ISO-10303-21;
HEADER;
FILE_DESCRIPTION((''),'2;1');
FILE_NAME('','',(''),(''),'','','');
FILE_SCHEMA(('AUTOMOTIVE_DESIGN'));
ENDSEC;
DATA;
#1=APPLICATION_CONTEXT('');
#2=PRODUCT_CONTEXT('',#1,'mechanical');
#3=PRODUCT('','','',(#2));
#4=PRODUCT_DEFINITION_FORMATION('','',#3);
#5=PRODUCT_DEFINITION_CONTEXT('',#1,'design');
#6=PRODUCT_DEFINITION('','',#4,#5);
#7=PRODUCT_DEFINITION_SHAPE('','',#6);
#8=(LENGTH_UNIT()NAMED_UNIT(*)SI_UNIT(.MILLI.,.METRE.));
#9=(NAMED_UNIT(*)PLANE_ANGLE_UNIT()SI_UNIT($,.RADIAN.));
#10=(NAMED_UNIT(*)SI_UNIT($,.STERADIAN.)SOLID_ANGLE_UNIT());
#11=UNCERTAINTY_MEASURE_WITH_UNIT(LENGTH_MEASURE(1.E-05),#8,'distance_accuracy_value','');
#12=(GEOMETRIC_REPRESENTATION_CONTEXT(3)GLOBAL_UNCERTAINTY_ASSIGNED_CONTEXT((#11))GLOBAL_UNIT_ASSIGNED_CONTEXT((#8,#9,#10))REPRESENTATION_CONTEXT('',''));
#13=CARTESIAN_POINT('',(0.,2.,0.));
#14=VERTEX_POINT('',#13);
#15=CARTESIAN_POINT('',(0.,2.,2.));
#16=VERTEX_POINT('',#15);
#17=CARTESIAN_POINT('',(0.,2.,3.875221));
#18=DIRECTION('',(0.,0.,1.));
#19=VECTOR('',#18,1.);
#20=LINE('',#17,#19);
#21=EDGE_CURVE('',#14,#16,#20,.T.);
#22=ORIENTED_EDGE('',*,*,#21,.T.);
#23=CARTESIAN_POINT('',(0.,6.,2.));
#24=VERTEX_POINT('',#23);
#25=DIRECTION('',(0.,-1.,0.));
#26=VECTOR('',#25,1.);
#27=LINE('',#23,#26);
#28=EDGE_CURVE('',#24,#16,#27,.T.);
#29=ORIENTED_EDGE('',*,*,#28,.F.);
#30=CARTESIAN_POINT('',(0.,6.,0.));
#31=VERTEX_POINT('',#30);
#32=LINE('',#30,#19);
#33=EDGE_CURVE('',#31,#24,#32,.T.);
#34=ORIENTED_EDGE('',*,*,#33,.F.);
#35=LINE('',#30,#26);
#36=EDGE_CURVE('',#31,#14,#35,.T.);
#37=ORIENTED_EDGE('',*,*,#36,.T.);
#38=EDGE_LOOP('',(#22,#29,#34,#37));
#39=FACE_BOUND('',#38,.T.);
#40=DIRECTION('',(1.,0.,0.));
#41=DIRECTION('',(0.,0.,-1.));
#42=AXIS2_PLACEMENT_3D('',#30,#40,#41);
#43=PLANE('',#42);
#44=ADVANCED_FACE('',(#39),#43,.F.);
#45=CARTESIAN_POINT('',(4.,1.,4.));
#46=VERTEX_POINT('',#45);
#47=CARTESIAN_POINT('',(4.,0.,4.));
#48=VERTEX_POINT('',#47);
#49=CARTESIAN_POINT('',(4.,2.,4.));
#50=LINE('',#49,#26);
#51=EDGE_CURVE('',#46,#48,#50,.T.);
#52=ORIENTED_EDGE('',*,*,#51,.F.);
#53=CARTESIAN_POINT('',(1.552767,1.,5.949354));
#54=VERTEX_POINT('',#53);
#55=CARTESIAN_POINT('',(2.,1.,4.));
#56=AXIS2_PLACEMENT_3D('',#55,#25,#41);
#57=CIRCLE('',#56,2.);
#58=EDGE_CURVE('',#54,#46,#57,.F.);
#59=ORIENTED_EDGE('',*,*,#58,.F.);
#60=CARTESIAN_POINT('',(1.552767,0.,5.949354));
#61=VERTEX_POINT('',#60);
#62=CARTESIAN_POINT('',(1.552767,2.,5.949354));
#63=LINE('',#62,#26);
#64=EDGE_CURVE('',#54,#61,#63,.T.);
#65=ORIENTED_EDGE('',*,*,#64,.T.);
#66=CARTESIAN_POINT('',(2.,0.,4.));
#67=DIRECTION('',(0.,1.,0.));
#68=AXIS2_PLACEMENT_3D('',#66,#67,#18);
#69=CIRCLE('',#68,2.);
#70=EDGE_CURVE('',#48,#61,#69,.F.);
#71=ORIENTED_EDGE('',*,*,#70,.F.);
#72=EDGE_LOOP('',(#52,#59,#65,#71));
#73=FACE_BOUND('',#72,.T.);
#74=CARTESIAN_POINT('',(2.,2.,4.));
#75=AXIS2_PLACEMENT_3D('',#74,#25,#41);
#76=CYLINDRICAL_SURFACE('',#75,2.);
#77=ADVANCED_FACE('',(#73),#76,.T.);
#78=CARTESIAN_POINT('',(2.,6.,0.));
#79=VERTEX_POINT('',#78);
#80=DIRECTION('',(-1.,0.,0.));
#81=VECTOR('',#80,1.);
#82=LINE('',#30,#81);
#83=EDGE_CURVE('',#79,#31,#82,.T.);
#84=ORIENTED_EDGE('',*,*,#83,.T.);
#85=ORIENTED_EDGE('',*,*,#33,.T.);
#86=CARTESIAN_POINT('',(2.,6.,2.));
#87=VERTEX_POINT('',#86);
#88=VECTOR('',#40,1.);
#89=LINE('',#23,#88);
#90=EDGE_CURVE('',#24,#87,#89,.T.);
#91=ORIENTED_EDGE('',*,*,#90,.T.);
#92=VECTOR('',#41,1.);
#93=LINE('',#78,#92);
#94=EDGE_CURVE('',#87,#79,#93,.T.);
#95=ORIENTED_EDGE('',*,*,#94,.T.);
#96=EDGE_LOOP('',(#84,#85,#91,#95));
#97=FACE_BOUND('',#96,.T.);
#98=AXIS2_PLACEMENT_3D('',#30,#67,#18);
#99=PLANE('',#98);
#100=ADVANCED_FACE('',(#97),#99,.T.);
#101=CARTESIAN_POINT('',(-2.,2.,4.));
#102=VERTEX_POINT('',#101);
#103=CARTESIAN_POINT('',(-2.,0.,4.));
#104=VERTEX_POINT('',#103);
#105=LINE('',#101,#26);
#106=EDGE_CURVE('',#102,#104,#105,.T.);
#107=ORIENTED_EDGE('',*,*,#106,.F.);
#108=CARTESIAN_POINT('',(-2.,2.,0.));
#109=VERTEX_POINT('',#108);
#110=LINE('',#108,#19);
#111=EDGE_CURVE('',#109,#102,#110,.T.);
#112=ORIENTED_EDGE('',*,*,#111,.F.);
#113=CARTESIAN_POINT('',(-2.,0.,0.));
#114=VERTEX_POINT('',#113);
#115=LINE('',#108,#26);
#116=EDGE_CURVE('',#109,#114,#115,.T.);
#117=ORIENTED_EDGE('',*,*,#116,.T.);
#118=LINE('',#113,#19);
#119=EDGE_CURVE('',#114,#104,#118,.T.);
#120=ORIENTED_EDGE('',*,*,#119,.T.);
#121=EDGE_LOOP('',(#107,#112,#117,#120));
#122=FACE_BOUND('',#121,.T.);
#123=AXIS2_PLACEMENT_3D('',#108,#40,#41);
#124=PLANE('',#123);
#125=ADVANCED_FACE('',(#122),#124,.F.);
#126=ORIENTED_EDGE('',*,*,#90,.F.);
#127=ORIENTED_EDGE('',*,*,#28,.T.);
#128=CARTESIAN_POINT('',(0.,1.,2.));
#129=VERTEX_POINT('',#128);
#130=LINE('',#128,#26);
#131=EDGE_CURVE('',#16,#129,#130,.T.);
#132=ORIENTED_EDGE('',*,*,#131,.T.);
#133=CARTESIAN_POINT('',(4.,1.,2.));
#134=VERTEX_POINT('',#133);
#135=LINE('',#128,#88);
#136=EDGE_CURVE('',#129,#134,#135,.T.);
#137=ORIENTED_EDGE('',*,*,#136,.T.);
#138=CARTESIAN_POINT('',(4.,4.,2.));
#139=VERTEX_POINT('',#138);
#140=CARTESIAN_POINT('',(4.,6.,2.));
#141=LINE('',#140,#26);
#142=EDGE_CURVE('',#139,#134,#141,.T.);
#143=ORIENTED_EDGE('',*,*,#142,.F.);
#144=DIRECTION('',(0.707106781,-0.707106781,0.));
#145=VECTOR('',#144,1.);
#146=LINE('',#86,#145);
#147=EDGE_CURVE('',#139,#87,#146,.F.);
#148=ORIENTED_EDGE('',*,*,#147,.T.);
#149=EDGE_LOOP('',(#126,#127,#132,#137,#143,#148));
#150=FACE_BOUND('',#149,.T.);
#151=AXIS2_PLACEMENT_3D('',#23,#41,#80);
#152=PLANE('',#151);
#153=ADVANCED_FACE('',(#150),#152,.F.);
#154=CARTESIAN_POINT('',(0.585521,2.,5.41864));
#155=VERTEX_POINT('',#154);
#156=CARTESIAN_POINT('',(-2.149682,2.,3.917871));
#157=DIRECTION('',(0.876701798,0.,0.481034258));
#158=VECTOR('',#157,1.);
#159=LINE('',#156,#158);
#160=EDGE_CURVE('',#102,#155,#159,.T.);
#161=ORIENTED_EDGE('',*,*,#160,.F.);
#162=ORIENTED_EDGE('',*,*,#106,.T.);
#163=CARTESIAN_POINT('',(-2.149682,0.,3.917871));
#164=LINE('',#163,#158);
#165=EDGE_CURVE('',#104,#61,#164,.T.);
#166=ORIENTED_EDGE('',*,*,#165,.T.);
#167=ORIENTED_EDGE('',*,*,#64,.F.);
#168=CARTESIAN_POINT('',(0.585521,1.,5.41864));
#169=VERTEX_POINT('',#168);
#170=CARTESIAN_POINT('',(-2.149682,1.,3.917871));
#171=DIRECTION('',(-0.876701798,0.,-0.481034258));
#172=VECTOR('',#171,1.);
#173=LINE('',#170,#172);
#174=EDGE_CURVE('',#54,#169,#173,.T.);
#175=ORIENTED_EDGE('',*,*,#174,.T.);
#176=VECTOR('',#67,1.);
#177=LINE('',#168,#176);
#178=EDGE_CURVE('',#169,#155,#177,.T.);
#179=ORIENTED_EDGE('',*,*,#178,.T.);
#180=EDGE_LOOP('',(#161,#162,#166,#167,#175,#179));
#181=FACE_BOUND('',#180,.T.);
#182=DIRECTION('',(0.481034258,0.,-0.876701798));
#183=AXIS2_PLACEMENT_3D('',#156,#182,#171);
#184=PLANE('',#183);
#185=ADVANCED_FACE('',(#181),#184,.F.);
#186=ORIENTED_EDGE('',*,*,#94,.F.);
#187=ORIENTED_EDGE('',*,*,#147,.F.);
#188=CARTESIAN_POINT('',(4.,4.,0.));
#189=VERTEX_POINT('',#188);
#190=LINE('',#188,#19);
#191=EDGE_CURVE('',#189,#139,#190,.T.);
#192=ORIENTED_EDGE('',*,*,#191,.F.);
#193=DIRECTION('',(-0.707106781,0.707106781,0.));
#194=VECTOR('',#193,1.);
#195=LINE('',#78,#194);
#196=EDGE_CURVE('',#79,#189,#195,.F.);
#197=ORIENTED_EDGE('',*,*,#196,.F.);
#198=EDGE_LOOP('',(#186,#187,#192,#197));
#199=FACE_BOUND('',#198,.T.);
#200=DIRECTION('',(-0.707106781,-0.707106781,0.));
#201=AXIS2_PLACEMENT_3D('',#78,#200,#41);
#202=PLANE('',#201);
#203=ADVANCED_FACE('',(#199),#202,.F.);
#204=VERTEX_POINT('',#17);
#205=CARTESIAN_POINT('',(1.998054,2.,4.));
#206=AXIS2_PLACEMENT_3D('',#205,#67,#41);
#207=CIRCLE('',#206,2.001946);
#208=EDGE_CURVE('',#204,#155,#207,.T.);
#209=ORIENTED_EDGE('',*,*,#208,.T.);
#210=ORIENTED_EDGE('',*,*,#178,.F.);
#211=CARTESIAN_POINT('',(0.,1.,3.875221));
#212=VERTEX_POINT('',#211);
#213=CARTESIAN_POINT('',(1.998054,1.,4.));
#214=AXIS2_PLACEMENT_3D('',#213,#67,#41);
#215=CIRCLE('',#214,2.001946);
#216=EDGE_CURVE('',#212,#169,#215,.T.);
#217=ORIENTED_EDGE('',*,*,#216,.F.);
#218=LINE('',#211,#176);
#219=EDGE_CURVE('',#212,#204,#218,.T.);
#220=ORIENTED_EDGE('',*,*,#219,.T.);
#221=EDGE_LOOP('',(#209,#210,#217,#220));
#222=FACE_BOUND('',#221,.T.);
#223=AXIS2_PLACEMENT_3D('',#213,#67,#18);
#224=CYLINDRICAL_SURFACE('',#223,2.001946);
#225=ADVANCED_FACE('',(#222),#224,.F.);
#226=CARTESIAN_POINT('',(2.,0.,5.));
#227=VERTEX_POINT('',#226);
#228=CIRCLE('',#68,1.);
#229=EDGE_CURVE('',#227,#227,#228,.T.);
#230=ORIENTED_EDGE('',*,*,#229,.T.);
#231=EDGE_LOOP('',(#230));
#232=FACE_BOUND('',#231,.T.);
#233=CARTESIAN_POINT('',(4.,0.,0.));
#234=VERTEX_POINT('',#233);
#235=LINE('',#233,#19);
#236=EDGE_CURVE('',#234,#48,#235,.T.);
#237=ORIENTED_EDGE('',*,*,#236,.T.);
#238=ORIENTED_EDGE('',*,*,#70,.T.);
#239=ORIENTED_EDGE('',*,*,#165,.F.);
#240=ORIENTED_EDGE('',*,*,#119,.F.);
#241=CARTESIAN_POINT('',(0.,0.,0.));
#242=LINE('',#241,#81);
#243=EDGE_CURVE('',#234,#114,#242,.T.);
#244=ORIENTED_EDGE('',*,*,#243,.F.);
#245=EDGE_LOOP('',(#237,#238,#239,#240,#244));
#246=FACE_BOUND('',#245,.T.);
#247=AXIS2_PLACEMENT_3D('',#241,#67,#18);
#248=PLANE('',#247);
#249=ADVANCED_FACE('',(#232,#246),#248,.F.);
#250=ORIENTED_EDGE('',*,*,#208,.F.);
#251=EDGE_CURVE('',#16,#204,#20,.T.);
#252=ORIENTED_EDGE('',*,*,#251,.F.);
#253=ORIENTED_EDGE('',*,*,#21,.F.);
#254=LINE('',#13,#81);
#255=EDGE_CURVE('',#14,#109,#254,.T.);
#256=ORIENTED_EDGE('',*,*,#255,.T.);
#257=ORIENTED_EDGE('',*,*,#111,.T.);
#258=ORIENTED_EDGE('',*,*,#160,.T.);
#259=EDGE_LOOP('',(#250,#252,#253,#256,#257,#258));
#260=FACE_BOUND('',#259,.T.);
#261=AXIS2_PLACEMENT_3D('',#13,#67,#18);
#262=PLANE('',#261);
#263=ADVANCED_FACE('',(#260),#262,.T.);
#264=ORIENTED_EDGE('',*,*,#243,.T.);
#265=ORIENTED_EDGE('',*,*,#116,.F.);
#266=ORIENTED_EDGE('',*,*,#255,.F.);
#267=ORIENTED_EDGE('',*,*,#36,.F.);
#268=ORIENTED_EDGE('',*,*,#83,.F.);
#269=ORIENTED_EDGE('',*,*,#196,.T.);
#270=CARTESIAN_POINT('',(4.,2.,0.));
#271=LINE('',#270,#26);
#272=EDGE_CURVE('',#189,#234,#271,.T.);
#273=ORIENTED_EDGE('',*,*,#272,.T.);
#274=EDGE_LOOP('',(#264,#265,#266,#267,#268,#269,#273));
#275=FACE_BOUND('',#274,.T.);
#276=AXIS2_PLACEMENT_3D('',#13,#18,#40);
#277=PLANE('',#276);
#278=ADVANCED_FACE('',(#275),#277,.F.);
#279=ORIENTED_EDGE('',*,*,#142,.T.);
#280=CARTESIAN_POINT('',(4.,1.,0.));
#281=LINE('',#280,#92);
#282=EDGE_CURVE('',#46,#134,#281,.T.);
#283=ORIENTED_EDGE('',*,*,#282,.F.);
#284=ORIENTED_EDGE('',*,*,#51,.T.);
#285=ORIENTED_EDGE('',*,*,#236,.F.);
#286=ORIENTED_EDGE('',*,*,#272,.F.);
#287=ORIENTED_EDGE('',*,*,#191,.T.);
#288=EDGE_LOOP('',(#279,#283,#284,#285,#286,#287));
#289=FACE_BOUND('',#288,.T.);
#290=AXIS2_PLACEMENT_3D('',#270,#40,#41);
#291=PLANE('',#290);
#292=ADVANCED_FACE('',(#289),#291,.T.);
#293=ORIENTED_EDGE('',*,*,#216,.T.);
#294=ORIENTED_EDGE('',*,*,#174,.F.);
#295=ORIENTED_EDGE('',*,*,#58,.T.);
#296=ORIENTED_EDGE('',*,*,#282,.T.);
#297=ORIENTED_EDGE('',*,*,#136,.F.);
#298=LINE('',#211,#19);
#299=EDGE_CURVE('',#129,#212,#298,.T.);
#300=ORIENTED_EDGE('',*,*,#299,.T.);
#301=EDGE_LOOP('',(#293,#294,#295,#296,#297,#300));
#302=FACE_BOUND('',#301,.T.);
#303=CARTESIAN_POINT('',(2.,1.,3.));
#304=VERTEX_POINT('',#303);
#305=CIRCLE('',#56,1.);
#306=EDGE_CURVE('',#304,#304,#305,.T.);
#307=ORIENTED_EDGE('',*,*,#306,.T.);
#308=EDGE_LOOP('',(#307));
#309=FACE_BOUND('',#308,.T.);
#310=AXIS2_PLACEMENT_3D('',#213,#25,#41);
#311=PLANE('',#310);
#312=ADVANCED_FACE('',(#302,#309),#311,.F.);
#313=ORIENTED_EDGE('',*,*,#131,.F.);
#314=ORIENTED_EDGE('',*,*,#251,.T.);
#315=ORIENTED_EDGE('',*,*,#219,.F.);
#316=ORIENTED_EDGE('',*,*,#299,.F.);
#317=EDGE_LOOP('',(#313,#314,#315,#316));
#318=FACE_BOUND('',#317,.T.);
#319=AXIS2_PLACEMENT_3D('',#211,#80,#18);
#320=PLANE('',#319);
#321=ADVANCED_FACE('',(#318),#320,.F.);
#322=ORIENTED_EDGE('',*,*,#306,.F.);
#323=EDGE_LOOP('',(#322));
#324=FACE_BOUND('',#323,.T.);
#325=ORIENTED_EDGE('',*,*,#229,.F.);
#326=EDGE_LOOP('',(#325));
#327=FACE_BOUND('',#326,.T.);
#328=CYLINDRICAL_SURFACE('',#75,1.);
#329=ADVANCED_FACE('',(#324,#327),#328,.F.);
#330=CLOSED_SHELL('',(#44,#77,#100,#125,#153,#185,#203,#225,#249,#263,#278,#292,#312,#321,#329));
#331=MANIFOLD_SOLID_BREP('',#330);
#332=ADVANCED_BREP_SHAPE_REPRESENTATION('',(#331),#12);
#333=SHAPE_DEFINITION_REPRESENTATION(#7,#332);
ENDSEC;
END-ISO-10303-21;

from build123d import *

# Parameters (mm, degrees)
SKETCH1_R           = 1
BOSS_EXTRUDE1_DEPTH = 2
CUT_EXTRUDE1_DEPTH  = 1
SKETCH3_W           = 4
SKETCH3_H           = 2
BOSS_EXTRUDE2_DEPTH = 5
CHAMFER1_SIZE       = 2


with BuildPart() as part:
    # Sketch1 → Boss-Extrude1 (new body)
    with BuildSketch(Plane(origin=(0, 0, 0), x_dir=(1, 0, 0), z_dir=(0, 1, 0))):
        with BuildLine():
            Line((0, -4), (0, 0))
            Line((0, 0), (-2, 0))
            Line((-2, 0), (-2, -4))
            Line((-2, -4), (0.596081752, -5.424434468))
            ThreePointArc((0.596081752, -5.424434468), (0.15502893, -4.772063308), (0, -4))
        make_face()
        with BuildLine():
            Line((4, 0), (0, 0))
            Line((0, 0), (0, -4))
            ThreePointArc((0, -4), (0.15502893, -4.772063308), (0.596081752, -5.424434468))
            Line((0.596081752, -5.424434468), (1.552766589, -5.949354323))
            ThreePointArc((1.552766589, -5.949354323), (3.246100553, -5.56436358), (4, -4))
            Line((4, -4), (4, 0))
        make_face()
        with Locations((2, -4)):
            Circle(SKETCH1_R, mode=Mode.SUBTRACT)
    extrude(amount=BOSS_EXTRUDE1_DEPTH)

    # Sketch2 → Cut-Extrude1 (cut)
    with BuildSketch(Plane(origin=(0, 2, 0), x_dir=(1, 0, 0), z_dir=(0, 1, 0))):
        with BuildLine():
            Line((0, 0), (4, 0))
            Line((4, 0), (4, -4))
            ThreePointArc((4, -4), (1.935634166, -6.000972869), (0, -3.875221449))
            Line((0, -3.875221449), (0, 0))
        make_face()
    extrude(amount=-CUT_EXTRUDE1_DEPTH, mode=Mode.SUBTRACT)

    # Sketch3 → Boss-Extrude2 (add)
    with BuildSketch(Plane(origin=(0, 1, 0), x_dir=(1, 0, 0), z_dir=(0, 1, 0))):
        with Locations((2, -1)):
            Rectangle(SKETCH3_W, SKETCH3_H)
    extrude(amount=BOSS_EXTRUDE2_DEPTH)

    # Chamfer1
    chamfer1_edges = [part.edges().sort_by_distance(p)[0] for p in [
        (4, 6, 1),
    ]]
    chamfer(chamfer1_edges, length=CHAMFER1_SIZE)


solid = part.part
